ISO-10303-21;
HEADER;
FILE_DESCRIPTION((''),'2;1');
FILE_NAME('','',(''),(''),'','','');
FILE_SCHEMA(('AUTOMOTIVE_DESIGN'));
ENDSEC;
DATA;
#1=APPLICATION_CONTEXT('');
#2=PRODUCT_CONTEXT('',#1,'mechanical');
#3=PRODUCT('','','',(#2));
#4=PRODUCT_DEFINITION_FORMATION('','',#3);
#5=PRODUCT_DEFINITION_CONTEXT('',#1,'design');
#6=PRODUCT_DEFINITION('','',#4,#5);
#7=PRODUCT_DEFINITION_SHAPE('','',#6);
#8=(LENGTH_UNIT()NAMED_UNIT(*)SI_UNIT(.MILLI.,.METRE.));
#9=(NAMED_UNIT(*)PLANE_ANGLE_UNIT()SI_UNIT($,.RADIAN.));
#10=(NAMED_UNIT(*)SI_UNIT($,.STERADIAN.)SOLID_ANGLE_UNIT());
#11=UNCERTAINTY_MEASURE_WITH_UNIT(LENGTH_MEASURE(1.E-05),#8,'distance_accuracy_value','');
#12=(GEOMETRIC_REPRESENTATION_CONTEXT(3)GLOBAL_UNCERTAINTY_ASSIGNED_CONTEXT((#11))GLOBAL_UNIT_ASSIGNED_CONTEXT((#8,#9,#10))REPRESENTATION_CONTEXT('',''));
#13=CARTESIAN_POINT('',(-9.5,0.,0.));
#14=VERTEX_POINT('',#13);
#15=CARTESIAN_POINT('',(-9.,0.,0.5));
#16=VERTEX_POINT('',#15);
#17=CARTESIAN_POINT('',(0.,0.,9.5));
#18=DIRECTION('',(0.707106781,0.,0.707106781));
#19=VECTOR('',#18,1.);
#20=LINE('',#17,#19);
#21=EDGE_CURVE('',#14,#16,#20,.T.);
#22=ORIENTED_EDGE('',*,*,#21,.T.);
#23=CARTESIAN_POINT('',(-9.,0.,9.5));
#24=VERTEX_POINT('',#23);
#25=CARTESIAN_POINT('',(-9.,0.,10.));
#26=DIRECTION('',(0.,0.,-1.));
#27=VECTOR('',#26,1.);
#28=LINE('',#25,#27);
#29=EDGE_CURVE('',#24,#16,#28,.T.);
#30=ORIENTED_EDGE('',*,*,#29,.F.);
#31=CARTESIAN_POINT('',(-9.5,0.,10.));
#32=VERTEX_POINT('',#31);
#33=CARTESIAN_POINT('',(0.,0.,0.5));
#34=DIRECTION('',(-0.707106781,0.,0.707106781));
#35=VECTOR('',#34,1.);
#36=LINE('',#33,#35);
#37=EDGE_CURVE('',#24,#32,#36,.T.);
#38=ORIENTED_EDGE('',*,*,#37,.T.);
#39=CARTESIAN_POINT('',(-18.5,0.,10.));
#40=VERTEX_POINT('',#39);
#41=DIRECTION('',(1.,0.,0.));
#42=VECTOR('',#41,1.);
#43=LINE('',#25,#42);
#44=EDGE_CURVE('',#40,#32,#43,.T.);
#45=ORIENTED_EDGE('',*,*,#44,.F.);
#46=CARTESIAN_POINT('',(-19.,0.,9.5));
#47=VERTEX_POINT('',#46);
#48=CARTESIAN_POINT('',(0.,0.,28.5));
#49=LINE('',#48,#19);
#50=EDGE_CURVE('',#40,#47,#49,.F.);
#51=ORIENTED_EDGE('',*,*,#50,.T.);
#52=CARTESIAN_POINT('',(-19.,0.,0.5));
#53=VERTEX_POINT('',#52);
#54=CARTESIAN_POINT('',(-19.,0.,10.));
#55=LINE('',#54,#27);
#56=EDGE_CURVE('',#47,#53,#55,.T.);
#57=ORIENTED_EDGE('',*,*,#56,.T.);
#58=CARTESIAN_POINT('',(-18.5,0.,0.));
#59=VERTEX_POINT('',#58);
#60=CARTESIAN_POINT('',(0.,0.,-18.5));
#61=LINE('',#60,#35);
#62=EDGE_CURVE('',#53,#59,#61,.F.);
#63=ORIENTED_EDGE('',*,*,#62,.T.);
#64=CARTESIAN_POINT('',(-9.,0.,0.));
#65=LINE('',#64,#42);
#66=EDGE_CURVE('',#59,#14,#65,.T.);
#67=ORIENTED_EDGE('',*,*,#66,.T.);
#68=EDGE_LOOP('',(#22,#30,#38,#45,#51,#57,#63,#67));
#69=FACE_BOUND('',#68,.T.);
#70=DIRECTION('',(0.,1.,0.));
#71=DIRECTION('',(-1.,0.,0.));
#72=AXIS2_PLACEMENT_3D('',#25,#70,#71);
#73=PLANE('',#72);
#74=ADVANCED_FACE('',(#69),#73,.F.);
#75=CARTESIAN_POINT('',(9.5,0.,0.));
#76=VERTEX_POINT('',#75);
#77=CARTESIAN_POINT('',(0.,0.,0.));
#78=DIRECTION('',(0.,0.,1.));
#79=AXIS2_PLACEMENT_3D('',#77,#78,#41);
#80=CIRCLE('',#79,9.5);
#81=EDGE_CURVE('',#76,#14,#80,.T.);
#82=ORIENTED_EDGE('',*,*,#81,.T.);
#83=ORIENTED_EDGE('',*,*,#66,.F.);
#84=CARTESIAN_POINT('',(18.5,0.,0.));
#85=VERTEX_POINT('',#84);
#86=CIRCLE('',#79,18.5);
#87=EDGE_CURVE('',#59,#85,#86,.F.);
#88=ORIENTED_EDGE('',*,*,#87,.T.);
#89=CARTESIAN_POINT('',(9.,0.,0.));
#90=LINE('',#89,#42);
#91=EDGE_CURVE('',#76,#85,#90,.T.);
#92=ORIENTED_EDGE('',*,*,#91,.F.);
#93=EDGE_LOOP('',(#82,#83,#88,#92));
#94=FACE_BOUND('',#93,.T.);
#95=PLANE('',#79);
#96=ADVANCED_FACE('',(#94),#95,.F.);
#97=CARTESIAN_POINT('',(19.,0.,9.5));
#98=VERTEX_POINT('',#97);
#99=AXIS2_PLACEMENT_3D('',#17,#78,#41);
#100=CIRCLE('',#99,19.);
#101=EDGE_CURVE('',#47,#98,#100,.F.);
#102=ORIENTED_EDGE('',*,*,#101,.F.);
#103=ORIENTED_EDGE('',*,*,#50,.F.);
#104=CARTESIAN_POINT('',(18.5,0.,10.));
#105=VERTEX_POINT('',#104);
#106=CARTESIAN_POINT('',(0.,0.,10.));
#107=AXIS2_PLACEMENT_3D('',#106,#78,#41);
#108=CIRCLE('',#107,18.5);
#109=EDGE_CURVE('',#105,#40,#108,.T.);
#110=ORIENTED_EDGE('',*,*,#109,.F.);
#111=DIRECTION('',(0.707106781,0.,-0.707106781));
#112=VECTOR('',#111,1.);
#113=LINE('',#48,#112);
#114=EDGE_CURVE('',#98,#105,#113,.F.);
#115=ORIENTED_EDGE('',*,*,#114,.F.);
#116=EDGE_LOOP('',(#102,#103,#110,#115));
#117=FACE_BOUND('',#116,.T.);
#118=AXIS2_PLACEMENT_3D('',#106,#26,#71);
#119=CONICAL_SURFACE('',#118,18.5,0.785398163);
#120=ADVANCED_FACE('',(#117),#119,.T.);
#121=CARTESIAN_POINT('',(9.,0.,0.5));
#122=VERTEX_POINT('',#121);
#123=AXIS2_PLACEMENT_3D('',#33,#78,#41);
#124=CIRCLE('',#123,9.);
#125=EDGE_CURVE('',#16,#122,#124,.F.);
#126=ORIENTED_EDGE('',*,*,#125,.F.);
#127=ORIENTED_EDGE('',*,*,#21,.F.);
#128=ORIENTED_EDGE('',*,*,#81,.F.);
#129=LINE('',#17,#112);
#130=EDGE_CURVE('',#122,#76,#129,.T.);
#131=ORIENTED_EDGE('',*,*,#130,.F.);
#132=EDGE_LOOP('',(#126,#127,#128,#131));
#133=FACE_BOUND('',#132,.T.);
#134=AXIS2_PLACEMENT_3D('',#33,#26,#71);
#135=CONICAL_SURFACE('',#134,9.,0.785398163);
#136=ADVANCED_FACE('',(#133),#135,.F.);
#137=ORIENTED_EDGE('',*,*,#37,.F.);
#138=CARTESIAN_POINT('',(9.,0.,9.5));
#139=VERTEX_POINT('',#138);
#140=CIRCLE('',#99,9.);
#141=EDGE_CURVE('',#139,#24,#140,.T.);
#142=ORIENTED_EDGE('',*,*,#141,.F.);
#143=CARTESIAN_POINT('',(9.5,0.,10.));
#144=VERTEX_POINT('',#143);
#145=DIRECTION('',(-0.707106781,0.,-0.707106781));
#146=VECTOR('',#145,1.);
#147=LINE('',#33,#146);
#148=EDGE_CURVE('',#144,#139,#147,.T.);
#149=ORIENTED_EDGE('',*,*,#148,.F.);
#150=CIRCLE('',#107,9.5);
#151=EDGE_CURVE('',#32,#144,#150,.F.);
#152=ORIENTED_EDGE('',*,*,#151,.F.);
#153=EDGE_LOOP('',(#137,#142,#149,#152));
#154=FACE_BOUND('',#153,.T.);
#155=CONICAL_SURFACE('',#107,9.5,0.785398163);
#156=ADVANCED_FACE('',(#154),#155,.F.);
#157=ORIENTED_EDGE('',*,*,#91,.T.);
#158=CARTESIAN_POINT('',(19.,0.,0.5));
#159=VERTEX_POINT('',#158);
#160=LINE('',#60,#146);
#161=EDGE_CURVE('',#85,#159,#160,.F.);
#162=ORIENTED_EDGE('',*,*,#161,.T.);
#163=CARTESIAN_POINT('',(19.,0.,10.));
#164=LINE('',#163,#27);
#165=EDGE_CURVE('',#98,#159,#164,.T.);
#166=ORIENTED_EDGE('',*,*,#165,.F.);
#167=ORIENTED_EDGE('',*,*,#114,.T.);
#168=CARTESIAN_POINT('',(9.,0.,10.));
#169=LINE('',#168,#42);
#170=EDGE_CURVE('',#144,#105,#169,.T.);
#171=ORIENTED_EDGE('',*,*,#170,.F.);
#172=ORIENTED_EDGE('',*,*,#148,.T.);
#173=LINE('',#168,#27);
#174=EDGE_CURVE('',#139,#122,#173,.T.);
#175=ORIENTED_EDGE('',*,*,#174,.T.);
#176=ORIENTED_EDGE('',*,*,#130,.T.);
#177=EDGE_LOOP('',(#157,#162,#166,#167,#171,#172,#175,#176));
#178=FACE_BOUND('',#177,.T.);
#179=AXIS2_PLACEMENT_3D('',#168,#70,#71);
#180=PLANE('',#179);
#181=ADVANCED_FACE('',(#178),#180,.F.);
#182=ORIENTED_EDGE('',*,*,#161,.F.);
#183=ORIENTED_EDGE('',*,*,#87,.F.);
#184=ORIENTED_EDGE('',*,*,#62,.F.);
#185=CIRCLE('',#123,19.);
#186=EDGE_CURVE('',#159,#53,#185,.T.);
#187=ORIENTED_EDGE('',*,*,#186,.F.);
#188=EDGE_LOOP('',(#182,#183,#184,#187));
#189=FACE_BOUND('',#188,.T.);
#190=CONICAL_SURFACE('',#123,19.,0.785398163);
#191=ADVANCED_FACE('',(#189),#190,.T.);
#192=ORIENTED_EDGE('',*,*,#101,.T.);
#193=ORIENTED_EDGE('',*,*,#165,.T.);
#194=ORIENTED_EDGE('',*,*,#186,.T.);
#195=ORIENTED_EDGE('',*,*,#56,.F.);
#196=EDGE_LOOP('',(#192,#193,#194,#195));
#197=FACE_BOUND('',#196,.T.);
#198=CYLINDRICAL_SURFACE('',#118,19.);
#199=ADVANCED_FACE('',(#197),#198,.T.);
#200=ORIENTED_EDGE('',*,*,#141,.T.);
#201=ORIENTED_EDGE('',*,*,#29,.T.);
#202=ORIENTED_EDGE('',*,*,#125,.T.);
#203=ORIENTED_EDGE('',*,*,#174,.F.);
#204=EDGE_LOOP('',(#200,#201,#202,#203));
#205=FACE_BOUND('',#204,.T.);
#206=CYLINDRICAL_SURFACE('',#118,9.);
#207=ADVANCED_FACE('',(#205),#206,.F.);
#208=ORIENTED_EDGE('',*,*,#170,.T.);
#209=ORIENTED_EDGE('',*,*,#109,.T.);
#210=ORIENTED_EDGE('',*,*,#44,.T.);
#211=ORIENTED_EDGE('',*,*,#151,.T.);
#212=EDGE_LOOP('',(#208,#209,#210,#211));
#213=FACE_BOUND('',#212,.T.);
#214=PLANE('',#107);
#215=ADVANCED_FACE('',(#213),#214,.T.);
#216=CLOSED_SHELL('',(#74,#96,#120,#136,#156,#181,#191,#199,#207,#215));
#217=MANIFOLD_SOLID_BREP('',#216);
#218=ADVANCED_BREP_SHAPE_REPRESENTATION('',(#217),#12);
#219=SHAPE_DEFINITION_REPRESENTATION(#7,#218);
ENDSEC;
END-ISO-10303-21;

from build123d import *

# Parameters (mm, degrees)
BOSS_EXTRUDE1_DEPTH = 10
CHAMFER1_SIZE       = 0.5


with BuildPart() as part:
    # Sketch1 → Boss-Extrude1 (new body)
    with BuildSketch(Plane.XY):
        with BuildLine():
            Line((-9, 0), (-19, 0))
            ThreePointArc((-19, 0), (0, 19), (19, 0))
            Line((19, 0), (9, 0))
            ThreePointArc((9, 0), (0, 9), (-9, 0))
        make_face()
    extrude(amount=BOSS_EXTRUDE1_DEPTH)

    # Chamfer1
    chamfer1_edges = [part.edges().sort_by_distance(p)[0] for p in [
        (0, 19, 10),
        (0, 9, 10),
        (0, 19, 0),
        (0, 9, 0),
    ]]
    chamfer(chamfer1_edges, length=CHAMFER1_SIZE)


solid = part.part
